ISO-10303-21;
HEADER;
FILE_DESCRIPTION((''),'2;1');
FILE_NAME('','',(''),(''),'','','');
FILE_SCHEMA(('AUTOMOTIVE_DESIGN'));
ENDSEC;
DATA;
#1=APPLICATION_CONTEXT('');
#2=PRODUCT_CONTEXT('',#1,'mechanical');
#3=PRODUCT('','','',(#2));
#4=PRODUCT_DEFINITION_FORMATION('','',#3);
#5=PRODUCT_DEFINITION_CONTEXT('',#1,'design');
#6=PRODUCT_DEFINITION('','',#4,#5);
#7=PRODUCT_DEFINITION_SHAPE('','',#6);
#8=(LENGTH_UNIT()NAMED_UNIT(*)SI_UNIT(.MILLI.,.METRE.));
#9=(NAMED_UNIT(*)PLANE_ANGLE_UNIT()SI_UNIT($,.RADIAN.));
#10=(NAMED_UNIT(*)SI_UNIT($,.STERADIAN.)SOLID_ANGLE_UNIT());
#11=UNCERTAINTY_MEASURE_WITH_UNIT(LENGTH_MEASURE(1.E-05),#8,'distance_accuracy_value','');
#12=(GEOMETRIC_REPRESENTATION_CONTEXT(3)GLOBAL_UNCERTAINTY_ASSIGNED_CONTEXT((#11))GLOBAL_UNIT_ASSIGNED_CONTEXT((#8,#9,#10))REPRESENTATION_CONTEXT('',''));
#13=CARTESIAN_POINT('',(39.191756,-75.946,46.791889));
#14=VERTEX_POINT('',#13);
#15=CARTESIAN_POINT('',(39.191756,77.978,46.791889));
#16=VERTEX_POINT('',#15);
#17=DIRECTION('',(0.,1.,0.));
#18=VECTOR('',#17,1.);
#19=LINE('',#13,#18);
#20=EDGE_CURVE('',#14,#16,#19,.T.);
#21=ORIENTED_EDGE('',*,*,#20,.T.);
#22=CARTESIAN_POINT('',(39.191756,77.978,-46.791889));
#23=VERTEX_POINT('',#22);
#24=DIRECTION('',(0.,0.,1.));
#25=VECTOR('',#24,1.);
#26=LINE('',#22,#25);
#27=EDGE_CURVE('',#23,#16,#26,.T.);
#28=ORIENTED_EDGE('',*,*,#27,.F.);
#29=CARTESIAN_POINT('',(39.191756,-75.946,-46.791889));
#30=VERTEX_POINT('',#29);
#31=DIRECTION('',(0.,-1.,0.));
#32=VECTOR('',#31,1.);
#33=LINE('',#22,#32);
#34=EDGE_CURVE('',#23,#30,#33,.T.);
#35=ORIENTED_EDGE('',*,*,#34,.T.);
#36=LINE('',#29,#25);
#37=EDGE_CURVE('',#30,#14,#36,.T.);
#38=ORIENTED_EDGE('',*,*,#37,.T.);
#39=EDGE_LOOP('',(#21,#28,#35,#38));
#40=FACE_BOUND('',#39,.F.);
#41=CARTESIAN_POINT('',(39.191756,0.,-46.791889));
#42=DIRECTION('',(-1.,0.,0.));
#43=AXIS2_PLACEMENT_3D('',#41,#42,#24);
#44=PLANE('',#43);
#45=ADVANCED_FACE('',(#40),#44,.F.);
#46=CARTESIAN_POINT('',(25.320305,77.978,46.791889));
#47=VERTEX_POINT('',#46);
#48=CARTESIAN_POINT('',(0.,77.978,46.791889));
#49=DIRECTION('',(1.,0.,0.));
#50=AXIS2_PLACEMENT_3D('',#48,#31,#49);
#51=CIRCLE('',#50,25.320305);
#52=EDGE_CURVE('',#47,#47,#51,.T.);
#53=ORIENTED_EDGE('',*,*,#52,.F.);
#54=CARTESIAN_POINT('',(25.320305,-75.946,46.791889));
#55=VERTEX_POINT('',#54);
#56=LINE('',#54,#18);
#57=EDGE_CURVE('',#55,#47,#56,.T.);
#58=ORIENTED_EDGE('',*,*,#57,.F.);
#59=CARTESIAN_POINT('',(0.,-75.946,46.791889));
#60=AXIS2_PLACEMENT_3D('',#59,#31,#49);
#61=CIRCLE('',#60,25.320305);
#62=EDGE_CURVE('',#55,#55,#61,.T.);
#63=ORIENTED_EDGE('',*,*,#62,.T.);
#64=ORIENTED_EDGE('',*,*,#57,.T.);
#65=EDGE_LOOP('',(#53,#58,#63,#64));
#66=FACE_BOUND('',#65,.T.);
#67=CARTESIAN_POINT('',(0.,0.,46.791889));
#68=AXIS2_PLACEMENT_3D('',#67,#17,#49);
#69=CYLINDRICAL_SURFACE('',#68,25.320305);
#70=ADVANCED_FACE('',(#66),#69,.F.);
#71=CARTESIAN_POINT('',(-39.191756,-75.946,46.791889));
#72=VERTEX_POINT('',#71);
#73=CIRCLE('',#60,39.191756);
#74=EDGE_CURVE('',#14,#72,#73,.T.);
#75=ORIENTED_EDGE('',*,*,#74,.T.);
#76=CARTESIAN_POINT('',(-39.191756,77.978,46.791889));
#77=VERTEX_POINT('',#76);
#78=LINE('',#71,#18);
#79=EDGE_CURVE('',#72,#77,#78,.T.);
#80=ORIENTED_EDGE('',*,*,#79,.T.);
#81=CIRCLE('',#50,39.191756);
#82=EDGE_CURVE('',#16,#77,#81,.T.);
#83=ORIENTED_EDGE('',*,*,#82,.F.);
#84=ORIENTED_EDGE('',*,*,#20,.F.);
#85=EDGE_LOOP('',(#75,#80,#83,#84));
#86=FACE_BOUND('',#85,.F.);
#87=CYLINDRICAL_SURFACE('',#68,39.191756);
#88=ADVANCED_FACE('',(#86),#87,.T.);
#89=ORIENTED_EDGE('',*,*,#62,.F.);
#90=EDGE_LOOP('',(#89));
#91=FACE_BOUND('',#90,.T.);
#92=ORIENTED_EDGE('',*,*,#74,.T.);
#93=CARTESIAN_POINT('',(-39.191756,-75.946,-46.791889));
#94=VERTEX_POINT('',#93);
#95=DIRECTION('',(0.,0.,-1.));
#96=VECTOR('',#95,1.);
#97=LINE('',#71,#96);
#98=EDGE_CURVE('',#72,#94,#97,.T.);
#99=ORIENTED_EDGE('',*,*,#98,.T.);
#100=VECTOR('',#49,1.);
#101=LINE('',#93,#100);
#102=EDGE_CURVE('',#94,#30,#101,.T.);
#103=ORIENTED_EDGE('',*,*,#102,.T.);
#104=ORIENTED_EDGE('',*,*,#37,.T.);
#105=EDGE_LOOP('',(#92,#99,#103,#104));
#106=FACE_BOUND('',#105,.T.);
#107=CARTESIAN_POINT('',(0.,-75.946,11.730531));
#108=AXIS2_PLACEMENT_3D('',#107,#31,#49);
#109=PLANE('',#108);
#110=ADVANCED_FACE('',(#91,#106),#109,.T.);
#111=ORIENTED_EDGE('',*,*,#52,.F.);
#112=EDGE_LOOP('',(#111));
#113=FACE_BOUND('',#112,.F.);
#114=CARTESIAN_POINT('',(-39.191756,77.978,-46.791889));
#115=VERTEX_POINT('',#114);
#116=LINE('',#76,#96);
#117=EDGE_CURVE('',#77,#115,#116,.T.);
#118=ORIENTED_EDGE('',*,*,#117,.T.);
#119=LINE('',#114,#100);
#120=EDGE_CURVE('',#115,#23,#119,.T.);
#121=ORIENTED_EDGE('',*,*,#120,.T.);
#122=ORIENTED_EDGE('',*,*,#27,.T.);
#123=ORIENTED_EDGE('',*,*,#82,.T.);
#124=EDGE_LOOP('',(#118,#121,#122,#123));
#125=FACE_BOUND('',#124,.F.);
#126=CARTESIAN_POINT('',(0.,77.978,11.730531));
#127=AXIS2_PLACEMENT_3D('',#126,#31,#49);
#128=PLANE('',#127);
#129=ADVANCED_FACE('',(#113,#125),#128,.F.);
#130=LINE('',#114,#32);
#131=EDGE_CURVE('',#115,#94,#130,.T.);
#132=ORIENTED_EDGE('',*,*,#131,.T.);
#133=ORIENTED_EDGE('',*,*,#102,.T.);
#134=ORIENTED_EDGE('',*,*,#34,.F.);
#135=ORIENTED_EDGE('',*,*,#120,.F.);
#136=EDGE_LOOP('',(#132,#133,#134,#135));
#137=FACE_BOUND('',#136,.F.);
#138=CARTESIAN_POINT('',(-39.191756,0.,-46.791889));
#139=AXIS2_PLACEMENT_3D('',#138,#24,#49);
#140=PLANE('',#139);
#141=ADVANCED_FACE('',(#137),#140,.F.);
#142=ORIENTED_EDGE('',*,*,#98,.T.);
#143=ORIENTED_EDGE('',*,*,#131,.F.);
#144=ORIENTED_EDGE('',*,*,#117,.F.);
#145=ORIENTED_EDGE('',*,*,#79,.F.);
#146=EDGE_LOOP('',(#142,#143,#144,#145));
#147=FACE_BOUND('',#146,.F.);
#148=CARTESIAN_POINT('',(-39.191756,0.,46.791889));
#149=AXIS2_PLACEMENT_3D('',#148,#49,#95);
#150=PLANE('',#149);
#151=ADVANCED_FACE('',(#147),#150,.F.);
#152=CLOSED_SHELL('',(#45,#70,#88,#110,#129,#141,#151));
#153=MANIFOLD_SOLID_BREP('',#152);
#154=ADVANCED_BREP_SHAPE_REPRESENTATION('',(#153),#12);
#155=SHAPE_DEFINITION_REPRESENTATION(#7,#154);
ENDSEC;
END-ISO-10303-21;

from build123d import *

# Parameters (mm, degrees)
F0_R      = 25.320305
F1_DEPTH  = 77.978
F1_FACE_R = 25.320305
F2_DEPTH  = 75.946


with BuildPart() as f1:
    # F0 (on Front) → F1 (new body)
    with BuildSketch(Plane.XZ):
        with BuildLine():
            Line((-39.191756, 46.791889), (-39.191756, -46.791889))
            Line((-39.191756, -46.791889), (39.191756, -46.791889))
            Line((39.191756, -46.791889), (39.191756, 46.791889))
            ThreePointArc((39.191756, 46.791889), (0, 85.983645), (-39.191756, 46.791889))
        make_face()
        with Locations((0, 46.791889)):
            Circle(F0_R, mode=Mode.SUBTRACT)
    extrude(amount=-F1_DEPTH)

    # F1_face (on face) → F2 (join)
    with BuildSketch(Plane(origin=(0, 0, 7.600639), x_dir=(1, 0, 0), z_dir=(0, -1, 0))):
        with BuildLine():
            Line((-39.191756, 39.19125), (-39.191756, -54.392528))
            Line((-39.191756, -54.392528), (39.191756, -54.392528))
            Line((39.191756, -54.392528), (39.191756, 39.19125))
            ThreePointArc((39.191756, 39.19125), (0, 78.383006), (-39.191756, 39.19125))
        make_face()
        with Locations((0, 39.19125)):
            Circle(F1_FACE_R, mode=Mode.SUBTRACT)
    extrude(amount=F2_DEPTH)


solid = f1.part
